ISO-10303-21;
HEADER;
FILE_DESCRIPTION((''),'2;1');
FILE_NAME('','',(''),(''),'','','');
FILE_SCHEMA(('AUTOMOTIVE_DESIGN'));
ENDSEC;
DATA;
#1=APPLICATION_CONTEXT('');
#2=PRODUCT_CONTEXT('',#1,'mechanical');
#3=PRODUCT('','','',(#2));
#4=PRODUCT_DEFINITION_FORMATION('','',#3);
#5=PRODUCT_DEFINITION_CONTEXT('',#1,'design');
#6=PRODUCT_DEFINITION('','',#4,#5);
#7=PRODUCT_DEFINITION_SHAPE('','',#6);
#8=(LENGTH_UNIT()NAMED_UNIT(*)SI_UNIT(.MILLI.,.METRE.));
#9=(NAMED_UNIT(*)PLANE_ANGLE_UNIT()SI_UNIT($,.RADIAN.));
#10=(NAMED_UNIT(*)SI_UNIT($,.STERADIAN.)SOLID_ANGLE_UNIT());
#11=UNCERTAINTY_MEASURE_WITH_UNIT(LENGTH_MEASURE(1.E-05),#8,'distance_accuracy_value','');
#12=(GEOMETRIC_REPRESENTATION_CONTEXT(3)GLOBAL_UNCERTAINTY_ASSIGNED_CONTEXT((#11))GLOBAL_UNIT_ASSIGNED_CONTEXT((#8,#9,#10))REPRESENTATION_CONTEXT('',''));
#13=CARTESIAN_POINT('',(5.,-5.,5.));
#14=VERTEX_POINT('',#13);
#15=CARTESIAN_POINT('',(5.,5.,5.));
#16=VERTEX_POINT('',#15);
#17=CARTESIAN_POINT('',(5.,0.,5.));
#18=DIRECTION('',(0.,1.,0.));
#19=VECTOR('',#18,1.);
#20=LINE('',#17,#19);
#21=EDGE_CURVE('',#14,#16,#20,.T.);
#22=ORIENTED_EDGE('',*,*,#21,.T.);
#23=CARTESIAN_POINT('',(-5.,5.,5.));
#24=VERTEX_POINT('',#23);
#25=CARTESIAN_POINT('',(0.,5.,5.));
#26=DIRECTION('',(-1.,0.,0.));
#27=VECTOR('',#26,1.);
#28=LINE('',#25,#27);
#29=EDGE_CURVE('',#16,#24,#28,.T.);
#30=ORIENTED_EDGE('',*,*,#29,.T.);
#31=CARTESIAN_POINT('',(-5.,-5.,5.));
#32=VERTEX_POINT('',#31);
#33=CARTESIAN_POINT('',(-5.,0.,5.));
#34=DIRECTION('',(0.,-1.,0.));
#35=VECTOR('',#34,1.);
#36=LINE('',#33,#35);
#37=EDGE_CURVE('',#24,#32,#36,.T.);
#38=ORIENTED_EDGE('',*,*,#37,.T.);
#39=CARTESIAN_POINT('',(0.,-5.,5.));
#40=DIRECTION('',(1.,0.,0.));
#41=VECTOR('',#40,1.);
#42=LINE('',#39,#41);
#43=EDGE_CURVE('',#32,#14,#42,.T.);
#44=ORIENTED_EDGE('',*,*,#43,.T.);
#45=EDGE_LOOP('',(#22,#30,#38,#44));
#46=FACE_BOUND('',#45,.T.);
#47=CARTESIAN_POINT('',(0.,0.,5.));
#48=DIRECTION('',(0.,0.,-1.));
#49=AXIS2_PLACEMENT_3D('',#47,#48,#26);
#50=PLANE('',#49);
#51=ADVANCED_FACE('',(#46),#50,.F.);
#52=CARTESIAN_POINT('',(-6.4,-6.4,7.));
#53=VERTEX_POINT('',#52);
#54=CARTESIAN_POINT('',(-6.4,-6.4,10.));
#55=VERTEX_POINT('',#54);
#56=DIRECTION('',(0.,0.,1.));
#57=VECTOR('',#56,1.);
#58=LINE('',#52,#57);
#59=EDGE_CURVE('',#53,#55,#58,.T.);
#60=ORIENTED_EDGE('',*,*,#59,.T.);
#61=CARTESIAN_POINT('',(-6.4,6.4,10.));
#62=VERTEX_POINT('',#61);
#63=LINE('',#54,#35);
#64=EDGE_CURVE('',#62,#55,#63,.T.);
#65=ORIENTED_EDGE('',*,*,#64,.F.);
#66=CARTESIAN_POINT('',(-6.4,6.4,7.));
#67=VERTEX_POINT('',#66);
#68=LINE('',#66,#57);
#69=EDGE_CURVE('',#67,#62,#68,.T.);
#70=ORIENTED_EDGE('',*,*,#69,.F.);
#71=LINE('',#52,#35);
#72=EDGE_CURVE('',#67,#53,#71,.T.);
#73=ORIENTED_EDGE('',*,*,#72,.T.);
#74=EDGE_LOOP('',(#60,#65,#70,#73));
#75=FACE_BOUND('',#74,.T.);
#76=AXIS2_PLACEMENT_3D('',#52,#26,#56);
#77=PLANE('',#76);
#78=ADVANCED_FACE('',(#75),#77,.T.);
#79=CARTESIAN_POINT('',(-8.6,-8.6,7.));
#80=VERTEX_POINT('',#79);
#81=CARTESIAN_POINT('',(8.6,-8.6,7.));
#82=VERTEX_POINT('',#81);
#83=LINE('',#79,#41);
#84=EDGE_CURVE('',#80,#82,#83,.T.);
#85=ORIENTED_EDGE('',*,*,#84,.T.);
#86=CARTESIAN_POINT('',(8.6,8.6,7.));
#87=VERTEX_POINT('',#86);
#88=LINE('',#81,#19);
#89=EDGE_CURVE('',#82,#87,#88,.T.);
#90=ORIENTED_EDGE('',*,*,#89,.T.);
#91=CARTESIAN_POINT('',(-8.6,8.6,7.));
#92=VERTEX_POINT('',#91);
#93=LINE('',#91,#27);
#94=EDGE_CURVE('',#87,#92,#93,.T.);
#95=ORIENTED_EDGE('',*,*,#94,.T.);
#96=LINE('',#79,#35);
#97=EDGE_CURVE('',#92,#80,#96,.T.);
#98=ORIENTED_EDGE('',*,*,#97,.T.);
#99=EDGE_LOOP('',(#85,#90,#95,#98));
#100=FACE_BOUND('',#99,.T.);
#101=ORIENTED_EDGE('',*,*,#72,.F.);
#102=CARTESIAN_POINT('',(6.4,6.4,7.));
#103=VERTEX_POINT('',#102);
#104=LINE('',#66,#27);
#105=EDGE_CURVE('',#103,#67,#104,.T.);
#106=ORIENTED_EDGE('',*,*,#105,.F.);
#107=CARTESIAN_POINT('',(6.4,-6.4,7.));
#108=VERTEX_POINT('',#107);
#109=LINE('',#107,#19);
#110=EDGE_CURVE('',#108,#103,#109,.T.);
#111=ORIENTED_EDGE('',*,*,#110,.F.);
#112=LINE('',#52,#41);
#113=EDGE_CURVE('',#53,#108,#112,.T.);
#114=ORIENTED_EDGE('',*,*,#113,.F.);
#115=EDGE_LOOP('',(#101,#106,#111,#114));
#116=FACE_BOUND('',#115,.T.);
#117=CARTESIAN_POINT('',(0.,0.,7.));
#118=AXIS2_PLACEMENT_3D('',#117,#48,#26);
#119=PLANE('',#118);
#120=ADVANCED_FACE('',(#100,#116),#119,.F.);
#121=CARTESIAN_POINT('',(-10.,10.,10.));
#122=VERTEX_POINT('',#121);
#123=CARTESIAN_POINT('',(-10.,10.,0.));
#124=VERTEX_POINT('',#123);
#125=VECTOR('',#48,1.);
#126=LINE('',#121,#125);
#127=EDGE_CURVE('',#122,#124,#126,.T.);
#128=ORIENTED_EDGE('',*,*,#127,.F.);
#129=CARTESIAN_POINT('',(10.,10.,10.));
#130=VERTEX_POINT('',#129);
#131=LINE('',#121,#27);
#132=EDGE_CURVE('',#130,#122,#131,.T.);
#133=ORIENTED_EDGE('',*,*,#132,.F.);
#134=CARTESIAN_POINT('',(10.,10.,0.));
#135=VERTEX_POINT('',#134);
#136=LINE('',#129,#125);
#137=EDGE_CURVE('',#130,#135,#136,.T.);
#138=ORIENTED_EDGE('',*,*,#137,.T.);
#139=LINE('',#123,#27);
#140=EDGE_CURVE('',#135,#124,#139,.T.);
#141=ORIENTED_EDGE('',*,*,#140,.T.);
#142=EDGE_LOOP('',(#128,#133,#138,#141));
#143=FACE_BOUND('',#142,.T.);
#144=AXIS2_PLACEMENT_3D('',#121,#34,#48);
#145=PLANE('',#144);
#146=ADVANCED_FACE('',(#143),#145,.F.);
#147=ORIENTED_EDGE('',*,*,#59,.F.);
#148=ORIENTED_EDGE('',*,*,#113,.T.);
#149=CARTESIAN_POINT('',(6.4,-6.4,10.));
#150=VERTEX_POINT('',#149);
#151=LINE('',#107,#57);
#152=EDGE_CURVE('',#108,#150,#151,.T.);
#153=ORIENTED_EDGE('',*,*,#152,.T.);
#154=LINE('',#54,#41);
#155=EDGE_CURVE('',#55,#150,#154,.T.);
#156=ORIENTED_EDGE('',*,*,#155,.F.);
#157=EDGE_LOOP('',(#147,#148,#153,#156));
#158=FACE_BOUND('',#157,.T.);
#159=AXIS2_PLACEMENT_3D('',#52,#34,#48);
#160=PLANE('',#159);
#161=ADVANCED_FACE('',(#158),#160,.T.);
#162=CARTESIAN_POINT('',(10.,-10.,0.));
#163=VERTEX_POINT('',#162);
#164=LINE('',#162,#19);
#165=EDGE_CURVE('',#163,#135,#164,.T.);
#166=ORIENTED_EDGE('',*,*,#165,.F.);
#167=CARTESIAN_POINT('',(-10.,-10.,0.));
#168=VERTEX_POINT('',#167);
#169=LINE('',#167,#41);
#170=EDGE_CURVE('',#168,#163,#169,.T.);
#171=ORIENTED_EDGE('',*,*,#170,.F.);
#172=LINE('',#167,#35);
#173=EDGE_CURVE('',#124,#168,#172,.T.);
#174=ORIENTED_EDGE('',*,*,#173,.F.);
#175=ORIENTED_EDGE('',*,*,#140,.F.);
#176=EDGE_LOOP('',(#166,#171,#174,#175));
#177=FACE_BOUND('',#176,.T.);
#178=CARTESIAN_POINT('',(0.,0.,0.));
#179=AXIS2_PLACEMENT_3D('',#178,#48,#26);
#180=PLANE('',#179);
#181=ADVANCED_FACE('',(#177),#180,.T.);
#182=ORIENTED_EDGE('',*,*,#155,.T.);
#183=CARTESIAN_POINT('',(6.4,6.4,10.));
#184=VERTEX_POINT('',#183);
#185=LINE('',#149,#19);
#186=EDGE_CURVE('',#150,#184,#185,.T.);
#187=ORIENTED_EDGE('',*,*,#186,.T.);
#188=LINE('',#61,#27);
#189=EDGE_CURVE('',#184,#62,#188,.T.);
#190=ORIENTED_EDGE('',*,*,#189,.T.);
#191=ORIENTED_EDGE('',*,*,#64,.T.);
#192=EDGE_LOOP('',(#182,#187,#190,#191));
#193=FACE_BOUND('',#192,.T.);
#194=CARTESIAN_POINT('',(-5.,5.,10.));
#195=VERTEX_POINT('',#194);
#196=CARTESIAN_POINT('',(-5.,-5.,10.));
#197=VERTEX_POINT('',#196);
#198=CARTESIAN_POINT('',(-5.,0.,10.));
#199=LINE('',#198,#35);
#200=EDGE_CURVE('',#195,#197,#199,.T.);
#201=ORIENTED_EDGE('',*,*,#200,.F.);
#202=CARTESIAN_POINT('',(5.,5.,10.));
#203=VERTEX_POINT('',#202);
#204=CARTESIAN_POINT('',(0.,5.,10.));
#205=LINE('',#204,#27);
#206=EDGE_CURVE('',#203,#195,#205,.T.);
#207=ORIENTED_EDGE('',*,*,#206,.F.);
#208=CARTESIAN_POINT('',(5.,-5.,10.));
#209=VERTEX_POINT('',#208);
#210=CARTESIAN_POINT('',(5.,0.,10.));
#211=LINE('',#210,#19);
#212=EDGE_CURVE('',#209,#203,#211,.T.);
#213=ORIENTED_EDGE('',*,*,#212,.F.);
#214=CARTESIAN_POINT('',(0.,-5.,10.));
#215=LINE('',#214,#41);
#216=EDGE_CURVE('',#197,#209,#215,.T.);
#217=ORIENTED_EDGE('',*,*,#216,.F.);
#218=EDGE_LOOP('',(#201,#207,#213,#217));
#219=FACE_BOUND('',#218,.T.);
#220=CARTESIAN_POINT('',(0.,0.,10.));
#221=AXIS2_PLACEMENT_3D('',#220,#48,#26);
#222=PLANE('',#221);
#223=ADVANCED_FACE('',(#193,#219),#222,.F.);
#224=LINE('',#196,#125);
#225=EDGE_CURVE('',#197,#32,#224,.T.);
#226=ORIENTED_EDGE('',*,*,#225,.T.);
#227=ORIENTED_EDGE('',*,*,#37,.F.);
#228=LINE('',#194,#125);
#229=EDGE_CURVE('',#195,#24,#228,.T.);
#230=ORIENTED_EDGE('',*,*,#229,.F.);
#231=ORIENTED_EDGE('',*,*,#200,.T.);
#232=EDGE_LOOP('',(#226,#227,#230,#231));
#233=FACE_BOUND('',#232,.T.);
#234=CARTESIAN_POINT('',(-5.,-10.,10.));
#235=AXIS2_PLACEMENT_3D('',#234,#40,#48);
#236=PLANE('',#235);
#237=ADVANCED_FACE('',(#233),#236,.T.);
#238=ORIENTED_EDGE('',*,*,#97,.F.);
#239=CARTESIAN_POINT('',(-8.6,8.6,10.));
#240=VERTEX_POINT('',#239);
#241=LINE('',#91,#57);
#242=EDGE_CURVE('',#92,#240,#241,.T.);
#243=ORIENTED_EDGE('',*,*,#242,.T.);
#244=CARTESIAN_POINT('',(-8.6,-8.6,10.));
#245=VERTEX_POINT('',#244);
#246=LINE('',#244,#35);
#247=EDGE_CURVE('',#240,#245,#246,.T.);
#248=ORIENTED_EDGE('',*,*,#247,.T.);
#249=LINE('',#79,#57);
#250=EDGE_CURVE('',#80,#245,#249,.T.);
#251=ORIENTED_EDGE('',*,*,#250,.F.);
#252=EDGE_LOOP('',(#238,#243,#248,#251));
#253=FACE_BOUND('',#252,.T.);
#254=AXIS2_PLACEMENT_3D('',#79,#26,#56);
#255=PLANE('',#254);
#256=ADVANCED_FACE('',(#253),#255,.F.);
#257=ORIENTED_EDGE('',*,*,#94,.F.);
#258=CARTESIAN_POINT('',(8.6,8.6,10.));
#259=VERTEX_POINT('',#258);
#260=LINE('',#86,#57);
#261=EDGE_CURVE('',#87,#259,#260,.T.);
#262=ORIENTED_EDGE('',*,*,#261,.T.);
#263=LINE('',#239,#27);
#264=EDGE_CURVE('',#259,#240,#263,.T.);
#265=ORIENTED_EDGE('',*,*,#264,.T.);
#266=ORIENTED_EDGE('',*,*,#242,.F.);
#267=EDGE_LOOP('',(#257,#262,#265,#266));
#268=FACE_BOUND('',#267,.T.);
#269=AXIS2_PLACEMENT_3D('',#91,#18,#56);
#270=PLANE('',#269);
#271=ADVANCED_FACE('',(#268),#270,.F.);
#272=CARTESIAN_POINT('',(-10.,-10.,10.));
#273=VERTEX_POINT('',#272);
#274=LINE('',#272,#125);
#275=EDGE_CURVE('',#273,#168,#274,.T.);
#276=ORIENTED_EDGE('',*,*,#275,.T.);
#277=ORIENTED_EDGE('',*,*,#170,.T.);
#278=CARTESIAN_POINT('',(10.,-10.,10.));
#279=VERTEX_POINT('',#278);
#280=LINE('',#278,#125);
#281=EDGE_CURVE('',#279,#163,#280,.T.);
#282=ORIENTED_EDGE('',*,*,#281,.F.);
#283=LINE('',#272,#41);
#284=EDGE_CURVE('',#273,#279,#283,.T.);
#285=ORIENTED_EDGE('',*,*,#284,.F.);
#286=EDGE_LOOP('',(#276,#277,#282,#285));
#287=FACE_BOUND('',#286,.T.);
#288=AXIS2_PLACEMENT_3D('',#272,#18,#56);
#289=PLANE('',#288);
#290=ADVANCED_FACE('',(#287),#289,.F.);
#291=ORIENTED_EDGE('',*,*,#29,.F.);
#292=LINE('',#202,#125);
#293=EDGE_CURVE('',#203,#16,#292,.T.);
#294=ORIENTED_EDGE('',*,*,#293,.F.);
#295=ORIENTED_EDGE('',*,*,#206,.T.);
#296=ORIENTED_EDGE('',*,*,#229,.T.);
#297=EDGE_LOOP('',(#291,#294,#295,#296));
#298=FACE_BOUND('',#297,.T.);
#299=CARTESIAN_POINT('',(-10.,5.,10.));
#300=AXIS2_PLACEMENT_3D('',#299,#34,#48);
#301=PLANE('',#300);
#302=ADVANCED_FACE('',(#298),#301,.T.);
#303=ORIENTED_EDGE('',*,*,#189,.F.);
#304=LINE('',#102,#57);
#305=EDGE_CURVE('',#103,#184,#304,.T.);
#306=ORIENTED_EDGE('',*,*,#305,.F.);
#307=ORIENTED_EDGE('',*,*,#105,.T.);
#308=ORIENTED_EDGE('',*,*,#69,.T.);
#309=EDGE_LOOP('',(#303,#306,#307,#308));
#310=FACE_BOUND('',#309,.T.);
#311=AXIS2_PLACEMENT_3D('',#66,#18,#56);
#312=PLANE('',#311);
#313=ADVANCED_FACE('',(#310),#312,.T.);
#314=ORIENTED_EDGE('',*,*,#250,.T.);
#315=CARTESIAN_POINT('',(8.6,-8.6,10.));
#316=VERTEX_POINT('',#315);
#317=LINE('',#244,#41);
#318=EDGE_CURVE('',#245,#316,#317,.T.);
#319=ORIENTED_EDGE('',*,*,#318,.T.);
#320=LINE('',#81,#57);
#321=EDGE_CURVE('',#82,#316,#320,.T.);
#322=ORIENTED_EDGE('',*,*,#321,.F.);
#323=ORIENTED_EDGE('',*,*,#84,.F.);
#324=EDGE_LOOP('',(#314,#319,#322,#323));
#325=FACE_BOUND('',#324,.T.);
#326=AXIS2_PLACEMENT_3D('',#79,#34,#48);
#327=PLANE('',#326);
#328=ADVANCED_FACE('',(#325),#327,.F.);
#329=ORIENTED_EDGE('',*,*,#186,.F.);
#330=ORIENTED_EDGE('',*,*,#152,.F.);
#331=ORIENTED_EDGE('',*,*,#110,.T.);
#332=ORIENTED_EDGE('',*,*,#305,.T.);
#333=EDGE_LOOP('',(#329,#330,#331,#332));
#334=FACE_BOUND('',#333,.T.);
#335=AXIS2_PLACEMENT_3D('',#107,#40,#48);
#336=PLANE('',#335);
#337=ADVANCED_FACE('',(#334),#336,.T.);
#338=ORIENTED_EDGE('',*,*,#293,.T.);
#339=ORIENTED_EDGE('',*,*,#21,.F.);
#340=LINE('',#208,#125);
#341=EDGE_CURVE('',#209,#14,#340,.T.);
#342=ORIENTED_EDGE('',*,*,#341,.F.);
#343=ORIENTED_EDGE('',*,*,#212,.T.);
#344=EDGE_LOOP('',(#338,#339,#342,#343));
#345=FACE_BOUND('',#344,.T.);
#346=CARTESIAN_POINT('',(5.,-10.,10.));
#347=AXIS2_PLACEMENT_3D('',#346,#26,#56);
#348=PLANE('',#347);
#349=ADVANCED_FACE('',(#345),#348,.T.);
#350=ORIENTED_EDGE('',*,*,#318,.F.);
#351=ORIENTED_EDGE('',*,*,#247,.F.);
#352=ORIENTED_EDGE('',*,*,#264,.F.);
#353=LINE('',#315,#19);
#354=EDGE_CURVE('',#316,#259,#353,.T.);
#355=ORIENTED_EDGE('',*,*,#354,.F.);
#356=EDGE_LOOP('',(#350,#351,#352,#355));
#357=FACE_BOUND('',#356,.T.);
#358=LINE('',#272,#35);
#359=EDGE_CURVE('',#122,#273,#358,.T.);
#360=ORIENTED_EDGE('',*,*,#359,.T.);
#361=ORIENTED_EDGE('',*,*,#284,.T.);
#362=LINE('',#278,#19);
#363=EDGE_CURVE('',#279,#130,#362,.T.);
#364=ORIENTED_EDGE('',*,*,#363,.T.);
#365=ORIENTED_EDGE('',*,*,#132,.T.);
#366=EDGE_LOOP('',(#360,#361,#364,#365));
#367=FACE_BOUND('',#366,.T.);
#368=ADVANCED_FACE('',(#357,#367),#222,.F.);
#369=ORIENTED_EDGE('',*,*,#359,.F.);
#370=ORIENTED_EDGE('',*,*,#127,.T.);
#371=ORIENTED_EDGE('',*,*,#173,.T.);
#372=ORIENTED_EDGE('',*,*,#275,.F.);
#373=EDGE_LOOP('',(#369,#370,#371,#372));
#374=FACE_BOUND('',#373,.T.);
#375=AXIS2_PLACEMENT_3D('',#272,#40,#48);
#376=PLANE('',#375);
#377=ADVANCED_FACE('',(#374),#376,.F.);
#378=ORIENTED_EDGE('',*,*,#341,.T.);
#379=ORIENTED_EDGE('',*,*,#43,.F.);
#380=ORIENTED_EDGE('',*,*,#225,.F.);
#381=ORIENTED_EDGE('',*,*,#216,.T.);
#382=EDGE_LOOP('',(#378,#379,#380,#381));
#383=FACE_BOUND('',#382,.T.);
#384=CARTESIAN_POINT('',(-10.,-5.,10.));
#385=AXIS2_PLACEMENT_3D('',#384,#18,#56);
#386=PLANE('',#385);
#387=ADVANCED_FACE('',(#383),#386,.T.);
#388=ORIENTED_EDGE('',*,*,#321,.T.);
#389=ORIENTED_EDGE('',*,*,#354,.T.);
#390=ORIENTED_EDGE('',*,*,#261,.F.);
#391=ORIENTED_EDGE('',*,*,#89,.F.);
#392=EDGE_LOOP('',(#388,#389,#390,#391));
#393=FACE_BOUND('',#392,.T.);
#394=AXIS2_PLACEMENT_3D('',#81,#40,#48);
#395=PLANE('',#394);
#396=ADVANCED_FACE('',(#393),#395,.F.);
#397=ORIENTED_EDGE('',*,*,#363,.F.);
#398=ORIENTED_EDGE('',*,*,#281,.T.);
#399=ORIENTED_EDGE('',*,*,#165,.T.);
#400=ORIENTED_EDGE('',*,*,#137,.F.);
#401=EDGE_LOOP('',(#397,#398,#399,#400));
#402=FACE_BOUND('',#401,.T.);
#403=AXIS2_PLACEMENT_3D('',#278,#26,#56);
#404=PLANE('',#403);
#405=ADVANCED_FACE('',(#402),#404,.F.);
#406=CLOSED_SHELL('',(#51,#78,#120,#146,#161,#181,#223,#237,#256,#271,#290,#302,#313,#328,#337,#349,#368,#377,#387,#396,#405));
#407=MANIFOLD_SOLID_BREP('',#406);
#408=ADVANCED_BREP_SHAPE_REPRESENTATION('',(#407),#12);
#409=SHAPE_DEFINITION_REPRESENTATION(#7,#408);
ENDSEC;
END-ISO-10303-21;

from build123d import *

# Parameters (mm, degrees)
SKETCH_1_W          = 20
SKETCH_1_H          = 20
EXTRUDE_1_DEPTH     = 10
SHELL_1_T           = -5
SKETCH_3_W          = 17.2
SKETCH_3_H          = 17.2
SKETCH_3_W_2        = 12.8
SKETCH_3_H_2        = 12.8
CUT_EXTRUDE_1_DEPTH = 3


with BuildPart() as part:
    # ｽｹｯﾁ1 → ﾎﾞｽ - 押し出し1 (new body)
    with BuildSketch(Plane.XY):
        Rectangle(SKETCH_1_W, SKETCH_1_H)
    extrude(amount=EXTRUDE_1_DEPTH)

    # ｼｪﾙ1
    shell_1_openings = [part.faces().sort_by_distance(p)[0] for p in [
        (0, 0, 10),
    ]]
    offset(amount=SHELL_1_T, openings=shell_1_openings, kind=Kind.INTERSECTION)

    # ｽｹｯﾁ3 → ｶｯﾄ - 押し出し1 (cut)
    with BuildSketch(Plane.XY.offset(10)):
        Rectangle(SKETCH_3_W, SKETCH_3_H)
        Rectangle(SKETCH_3_W_2, SKETCH_3_H_2, mode=Mode.SUBTRACT)
    extrude(amount=-CUT_EXTRUDE_1_DEPTH, mode=Mode.SUBTRACT)


solid = part.part
